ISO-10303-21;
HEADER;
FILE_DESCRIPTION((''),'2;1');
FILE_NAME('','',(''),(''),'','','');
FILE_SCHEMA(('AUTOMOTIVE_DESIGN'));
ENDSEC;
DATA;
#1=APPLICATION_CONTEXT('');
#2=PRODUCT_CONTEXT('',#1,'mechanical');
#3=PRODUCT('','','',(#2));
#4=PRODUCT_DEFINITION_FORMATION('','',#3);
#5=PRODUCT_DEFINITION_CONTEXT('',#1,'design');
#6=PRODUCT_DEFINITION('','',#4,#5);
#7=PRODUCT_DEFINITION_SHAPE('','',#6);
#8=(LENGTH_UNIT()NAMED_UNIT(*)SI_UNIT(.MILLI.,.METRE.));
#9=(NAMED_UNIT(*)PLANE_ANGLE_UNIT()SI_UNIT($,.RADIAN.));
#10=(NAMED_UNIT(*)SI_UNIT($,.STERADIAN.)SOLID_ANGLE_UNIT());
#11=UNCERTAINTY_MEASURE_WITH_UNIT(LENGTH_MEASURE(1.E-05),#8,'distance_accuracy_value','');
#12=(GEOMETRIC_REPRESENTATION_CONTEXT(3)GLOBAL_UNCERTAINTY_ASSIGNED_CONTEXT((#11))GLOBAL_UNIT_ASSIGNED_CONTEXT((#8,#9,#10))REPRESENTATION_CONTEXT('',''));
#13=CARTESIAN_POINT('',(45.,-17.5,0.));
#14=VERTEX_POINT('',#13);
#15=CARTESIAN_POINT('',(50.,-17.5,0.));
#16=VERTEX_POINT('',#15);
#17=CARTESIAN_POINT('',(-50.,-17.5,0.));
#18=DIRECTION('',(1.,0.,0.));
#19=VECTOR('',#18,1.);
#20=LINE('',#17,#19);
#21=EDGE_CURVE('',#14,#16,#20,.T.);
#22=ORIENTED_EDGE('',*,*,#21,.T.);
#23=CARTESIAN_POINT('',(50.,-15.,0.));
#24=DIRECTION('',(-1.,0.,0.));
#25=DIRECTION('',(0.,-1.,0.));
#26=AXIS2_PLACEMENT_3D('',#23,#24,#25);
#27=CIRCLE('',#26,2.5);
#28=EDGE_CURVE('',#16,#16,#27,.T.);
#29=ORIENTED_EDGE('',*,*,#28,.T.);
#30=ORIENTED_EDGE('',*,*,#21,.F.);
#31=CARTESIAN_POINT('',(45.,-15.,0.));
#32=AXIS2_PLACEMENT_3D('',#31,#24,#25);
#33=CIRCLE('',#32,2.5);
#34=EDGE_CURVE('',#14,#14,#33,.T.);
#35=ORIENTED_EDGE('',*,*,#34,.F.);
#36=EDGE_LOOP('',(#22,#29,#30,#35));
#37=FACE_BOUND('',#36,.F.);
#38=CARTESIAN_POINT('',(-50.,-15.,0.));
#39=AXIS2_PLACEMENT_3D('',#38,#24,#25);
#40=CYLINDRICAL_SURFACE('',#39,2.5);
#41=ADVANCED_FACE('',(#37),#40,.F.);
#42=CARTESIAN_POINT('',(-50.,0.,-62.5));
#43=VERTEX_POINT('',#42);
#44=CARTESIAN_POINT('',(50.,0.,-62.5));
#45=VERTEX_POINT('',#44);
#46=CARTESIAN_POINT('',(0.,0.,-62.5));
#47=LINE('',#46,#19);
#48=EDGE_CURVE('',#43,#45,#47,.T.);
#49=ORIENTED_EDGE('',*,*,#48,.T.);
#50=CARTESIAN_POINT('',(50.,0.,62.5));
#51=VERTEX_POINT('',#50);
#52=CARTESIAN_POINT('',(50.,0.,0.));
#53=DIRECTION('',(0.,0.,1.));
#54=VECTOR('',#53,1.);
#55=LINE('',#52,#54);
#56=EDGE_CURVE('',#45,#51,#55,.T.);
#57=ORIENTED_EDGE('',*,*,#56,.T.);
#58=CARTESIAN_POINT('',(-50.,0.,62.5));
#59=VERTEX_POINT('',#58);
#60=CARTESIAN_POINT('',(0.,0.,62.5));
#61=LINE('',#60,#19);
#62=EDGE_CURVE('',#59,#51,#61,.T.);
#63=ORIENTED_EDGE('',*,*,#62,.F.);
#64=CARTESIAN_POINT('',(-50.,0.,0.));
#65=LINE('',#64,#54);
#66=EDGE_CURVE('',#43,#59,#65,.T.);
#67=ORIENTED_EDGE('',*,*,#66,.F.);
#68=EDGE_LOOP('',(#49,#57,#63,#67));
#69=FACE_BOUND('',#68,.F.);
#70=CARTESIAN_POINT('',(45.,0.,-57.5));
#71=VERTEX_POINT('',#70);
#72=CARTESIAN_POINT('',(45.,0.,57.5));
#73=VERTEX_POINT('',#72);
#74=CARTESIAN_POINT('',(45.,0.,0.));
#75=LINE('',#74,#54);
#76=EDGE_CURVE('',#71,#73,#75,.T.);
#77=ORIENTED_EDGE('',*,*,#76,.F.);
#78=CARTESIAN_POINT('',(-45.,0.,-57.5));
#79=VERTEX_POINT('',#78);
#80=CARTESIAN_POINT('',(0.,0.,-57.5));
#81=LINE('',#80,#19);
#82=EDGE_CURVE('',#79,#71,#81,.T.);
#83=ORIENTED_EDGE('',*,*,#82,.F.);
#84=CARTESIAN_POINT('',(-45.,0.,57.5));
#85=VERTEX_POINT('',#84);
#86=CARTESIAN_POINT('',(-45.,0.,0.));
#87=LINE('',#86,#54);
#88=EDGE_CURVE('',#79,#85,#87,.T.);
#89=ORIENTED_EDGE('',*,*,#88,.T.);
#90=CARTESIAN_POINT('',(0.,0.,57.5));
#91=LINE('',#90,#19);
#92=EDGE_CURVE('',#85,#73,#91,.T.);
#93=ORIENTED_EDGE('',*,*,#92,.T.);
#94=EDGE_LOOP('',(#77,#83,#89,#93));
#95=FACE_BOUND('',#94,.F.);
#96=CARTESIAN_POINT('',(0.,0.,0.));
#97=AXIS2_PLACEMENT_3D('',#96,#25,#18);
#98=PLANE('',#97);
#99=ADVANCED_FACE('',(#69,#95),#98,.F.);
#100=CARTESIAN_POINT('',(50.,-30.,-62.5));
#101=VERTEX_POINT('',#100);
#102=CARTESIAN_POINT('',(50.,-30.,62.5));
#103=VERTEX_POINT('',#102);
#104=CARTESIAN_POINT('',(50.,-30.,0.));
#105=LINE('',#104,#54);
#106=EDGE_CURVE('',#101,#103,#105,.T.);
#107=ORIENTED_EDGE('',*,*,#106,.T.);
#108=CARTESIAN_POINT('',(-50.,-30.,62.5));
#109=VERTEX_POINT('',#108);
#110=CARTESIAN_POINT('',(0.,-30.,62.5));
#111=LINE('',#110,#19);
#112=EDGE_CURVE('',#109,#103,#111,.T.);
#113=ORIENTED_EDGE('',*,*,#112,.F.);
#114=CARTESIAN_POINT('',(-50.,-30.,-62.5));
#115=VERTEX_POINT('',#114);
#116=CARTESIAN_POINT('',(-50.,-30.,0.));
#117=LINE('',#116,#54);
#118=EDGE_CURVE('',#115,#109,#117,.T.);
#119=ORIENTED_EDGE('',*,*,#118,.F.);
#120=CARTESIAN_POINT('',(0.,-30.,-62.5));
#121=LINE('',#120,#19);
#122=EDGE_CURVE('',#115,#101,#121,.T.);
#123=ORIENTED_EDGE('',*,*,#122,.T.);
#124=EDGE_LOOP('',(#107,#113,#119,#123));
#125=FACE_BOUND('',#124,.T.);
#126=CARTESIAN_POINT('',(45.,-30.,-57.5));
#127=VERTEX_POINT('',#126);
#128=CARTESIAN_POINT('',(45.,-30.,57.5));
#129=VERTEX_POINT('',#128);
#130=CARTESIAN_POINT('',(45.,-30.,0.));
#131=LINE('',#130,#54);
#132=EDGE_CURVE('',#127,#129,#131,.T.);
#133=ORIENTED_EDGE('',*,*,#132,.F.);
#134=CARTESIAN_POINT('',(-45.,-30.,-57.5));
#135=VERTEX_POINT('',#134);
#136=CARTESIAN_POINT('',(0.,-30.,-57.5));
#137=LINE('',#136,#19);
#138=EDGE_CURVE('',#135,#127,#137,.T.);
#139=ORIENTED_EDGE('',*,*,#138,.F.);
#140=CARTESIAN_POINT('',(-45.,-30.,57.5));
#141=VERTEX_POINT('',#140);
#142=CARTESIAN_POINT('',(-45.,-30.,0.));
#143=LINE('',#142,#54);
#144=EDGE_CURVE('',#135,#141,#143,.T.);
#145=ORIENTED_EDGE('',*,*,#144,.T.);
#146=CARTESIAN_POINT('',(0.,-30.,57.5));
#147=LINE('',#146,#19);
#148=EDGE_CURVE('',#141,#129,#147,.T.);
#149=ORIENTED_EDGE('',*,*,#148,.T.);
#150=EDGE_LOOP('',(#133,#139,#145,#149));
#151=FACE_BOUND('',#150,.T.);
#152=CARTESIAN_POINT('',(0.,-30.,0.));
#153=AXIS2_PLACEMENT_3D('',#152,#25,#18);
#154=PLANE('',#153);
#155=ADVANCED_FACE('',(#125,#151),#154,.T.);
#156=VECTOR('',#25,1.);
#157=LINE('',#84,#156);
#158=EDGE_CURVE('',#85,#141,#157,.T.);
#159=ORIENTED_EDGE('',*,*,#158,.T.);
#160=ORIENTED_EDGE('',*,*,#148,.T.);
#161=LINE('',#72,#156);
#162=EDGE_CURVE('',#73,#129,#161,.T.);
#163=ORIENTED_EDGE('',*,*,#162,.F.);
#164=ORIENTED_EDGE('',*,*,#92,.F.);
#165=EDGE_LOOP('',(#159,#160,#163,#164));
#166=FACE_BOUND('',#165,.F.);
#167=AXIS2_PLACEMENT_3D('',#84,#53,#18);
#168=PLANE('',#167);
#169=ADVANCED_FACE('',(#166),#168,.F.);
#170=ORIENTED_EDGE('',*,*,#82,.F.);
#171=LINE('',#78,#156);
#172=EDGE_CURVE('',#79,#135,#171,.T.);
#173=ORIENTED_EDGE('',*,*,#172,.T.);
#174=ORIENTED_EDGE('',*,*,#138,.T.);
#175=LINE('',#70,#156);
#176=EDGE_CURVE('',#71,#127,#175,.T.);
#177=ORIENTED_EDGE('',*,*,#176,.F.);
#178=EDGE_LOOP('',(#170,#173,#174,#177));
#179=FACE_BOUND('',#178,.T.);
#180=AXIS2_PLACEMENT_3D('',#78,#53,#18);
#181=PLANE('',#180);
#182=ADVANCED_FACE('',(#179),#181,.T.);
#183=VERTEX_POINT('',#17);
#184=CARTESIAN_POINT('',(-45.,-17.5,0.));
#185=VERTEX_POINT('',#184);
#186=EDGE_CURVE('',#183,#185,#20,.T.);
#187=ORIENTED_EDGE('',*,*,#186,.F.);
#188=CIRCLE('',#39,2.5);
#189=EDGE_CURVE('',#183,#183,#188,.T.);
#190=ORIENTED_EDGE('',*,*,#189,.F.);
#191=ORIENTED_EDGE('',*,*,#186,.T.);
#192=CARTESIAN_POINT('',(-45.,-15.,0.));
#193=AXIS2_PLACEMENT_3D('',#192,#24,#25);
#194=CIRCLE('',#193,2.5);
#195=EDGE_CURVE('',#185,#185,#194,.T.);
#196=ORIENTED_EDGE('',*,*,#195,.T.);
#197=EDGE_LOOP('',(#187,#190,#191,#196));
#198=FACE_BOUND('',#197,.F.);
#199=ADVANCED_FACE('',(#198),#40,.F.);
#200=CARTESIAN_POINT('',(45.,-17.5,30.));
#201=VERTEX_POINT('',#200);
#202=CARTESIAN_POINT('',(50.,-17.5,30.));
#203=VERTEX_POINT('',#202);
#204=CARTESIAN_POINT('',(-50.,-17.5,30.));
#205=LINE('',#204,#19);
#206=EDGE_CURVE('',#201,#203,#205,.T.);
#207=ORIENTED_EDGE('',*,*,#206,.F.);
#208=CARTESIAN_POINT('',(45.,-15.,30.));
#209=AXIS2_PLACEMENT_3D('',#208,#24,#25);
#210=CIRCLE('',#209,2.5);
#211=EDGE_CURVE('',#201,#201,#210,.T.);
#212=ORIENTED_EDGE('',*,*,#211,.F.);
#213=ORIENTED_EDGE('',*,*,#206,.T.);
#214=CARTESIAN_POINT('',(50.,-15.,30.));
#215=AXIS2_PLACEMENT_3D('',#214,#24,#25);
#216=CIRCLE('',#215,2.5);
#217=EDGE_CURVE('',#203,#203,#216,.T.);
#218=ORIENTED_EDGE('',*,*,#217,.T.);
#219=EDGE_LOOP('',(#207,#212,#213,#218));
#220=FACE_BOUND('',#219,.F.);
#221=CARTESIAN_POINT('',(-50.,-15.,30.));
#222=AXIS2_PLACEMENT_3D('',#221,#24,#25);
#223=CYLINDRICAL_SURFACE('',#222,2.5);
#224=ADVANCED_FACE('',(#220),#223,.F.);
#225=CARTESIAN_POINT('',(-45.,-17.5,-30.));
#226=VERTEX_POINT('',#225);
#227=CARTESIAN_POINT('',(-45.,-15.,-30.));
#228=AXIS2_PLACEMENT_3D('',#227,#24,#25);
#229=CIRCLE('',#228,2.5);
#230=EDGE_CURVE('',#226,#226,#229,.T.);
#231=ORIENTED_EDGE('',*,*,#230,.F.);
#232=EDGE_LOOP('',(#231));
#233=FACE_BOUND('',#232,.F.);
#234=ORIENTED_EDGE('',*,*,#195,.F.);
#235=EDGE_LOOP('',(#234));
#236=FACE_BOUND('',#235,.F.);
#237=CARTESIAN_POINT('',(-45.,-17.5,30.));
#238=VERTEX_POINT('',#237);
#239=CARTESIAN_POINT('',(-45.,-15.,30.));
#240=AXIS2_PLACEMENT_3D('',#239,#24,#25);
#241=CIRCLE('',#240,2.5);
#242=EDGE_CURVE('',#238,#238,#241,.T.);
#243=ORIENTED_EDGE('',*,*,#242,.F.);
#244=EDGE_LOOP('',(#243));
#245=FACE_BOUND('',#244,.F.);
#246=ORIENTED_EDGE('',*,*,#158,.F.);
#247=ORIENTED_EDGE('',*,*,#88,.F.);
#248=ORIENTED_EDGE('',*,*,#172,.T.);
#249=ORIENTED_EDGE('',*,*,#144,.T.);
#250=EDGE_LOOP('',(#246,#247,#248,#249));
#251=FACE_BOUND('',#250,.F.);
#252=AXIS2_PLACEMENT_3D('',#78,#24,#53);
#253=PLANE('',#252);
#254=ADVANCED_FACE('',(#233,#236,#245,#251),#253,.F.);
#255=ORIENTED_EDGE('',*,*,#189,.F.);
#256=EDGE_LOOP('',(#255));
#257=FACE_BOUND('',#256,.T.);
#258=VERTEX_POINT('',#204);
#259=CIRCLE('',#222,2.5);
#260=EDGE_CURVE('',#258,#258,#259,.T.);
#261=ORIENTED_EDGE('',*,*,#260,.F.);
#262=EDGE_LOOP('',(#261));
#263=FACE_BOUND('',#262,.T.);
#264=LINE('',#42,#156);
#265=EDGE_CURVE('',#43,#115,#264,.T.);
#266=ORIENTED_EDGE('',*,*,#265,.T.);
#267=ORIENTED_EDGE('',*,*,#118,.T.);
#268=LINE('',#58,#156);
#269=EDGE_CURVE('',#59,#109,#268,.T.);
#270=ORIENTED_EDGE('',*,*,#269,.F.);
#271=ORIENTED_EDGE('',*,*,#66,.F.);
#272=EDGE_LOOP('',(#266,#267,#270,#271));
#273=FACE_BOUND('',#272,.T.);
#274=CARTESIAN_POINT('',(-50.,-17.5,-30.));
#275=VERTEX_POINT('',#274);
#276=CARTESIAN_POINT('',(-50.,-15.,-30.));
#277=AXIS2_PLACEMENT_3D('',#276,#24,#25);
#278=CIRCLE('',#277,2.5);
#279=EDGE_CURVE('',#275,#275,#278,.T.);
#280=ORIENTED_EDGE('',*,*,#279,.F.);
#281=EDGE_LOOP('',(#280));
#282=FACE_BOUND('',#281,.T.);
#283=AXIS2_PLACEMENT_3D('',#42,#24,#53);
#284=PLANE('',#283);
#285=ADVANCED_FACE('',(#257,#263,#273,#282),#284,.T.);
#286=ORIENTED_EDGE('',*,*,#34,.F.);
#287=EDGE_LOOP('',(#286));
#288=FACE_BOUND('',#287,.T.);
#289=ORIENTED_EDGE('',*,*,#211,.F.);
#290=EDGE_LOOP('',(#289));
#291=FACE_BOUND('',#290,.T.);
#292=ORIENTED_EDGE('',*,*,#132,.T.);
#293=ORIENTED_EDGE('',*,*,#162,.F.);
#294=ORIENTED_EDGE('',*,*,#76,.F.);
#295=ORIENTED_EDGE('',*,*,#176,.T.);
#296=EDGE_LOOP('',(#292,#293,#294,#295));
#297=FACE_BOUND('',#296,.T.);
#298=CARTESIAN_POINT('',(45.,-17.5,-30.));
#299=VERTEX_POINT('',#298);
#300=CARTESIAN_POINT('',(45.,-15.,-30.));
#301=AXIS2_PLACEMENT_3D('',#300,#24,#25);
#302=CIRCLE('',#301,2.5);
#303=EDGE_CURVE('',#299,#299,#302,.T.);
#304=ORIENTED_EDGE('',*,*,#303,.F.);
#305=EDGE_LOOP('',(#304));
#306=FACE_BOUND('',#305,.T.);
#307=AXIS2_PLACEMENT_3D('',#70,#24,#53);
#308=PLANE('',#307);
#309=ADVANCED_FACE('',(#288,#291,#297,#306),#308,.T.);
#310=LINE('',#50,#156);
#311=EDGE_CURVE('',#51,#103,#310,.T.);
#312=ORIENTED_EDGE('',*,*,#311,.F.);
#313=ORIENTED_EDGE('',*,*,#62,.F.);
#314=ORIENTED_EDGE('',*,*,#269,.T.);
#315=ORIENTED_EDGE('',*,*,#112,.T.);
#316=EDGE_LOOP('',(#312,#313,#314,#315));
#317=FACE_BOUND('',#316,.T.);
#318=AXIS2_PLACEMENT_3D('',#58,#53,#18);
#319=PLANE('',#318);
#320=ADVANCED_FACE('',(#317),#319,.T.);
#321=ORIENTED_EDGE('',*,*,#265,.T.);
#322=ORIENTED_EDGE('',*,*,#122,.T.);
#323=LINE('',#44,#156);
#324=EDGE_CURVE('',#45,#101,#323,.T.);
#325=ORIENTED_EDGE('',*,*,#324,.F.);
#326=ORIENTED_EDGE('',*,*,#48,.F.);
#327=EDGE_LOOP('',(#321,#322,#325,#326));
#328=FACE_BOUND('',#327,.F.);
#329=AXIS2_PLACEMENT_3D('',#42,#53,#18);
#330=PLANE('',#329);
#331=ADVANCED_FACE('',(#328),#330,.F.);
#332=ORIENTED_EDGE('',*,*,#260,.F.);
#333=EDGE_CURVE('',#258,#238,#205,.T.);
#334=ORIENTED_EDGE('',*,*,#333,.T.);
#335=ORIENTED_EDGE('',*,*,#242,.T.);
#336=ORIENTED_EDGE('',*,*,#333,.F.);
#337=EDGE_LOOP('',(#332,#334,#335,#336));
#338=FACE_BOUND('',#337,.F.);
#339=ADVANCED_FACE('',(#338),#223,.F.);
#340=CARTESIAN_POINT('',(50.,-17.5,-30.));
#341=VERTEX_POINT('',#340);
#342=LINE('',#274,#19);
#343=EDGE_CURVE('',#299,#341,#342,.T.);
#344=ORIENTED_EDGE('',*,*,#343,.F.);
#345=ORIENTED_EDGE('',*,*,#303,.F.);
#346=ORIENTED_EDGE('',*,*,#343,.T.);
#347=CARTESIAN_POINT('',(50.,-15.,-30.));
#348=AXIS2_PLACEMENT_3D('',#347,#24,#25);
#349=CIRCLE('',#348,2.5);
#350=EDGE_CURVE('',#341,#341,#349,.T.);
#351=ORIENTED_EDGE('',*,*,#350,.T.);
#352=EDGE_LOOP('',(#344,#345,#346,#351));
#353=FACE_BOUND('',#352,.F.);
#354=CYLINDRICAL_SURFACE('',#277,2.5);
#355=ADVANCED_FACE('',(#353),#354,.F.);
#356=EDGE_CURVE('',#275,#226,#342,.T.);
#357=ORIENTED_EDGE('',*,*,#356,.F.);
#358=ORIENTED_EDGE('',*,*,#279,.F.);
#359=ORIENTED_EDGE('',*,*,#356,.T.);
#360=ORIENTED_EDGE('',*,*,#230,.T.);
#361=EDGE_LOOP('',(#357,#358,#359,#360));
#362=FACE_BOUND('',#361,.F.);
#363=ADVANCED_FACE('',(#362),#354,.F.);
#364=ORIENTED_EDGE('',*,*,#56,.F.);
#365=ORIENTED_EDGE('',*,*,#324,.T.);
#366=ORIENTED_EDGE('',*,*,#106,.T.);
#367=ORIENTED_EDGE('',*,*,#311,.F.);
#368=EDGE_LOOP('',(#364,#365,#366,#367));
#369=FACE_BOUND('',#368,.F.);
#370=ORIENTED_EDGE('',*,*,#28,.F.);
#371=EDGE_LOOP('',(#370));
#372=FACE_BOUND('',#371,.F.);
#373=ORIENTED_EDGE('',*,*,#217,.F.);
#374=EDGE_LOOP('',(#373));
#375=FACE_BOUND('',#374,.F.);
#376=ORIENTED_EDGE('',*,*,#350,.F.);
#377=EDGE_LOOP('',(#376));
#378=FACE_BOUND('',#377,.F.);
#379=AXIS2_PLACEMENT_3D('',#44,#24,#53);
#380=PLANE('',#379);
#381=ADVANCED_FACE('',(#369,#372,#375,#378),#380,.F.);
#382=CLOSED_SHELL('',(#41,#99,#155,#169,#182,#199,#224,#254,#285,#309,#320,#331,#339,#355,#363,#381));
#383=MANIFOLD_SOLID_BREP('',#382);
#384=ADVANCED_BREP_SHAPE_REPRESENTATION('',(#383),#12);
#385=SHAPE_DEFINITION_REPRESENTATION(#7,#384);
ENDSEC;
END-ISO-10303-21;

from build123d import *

# Parameters (mm, degrees)
F0_W          = 100
F0_H          = 125
F0_W_2        = 90
F0_H_2        = 115
F1_DEPTH      = 30
F2_R          = 2.5
F3_DEPTH      = 200
F3_DEPTH_BACK = 200


with BuildPart() as f1:
    # F0 (on Front) → F1 (new body)
    with BuildSketch(Plane.XZ):
        Rectangle(F0_W, F0_H)
        Rectangle(F0_W_2, F0_H_2, mode=Mode.SUBTRACT)
    extrude(amount=F1_DEPTH)

    # F2 (on face) → F3 (cut, two sides)
    with BuildSketch(Plane(origin=(-50, 0, 0), x_dir=(0, -1, 0), z_dir=(-1, 0, 0))) as f3_sk:
        with Locations((15, 30)):
            Circle(F2_R)
        with Locations((15, 0)):
            Circle(F2_R)
        with Locations((15, -30)):
            Circle(F2_R)
    extrude(amount=F3_DEPTH, mode=Mode.SUBTRACT)
    extrude(f3_sk.sketch, amount=-F3_DEPTH_BACK, mode=Mode.SUBTRACT)


solid = f1.part
